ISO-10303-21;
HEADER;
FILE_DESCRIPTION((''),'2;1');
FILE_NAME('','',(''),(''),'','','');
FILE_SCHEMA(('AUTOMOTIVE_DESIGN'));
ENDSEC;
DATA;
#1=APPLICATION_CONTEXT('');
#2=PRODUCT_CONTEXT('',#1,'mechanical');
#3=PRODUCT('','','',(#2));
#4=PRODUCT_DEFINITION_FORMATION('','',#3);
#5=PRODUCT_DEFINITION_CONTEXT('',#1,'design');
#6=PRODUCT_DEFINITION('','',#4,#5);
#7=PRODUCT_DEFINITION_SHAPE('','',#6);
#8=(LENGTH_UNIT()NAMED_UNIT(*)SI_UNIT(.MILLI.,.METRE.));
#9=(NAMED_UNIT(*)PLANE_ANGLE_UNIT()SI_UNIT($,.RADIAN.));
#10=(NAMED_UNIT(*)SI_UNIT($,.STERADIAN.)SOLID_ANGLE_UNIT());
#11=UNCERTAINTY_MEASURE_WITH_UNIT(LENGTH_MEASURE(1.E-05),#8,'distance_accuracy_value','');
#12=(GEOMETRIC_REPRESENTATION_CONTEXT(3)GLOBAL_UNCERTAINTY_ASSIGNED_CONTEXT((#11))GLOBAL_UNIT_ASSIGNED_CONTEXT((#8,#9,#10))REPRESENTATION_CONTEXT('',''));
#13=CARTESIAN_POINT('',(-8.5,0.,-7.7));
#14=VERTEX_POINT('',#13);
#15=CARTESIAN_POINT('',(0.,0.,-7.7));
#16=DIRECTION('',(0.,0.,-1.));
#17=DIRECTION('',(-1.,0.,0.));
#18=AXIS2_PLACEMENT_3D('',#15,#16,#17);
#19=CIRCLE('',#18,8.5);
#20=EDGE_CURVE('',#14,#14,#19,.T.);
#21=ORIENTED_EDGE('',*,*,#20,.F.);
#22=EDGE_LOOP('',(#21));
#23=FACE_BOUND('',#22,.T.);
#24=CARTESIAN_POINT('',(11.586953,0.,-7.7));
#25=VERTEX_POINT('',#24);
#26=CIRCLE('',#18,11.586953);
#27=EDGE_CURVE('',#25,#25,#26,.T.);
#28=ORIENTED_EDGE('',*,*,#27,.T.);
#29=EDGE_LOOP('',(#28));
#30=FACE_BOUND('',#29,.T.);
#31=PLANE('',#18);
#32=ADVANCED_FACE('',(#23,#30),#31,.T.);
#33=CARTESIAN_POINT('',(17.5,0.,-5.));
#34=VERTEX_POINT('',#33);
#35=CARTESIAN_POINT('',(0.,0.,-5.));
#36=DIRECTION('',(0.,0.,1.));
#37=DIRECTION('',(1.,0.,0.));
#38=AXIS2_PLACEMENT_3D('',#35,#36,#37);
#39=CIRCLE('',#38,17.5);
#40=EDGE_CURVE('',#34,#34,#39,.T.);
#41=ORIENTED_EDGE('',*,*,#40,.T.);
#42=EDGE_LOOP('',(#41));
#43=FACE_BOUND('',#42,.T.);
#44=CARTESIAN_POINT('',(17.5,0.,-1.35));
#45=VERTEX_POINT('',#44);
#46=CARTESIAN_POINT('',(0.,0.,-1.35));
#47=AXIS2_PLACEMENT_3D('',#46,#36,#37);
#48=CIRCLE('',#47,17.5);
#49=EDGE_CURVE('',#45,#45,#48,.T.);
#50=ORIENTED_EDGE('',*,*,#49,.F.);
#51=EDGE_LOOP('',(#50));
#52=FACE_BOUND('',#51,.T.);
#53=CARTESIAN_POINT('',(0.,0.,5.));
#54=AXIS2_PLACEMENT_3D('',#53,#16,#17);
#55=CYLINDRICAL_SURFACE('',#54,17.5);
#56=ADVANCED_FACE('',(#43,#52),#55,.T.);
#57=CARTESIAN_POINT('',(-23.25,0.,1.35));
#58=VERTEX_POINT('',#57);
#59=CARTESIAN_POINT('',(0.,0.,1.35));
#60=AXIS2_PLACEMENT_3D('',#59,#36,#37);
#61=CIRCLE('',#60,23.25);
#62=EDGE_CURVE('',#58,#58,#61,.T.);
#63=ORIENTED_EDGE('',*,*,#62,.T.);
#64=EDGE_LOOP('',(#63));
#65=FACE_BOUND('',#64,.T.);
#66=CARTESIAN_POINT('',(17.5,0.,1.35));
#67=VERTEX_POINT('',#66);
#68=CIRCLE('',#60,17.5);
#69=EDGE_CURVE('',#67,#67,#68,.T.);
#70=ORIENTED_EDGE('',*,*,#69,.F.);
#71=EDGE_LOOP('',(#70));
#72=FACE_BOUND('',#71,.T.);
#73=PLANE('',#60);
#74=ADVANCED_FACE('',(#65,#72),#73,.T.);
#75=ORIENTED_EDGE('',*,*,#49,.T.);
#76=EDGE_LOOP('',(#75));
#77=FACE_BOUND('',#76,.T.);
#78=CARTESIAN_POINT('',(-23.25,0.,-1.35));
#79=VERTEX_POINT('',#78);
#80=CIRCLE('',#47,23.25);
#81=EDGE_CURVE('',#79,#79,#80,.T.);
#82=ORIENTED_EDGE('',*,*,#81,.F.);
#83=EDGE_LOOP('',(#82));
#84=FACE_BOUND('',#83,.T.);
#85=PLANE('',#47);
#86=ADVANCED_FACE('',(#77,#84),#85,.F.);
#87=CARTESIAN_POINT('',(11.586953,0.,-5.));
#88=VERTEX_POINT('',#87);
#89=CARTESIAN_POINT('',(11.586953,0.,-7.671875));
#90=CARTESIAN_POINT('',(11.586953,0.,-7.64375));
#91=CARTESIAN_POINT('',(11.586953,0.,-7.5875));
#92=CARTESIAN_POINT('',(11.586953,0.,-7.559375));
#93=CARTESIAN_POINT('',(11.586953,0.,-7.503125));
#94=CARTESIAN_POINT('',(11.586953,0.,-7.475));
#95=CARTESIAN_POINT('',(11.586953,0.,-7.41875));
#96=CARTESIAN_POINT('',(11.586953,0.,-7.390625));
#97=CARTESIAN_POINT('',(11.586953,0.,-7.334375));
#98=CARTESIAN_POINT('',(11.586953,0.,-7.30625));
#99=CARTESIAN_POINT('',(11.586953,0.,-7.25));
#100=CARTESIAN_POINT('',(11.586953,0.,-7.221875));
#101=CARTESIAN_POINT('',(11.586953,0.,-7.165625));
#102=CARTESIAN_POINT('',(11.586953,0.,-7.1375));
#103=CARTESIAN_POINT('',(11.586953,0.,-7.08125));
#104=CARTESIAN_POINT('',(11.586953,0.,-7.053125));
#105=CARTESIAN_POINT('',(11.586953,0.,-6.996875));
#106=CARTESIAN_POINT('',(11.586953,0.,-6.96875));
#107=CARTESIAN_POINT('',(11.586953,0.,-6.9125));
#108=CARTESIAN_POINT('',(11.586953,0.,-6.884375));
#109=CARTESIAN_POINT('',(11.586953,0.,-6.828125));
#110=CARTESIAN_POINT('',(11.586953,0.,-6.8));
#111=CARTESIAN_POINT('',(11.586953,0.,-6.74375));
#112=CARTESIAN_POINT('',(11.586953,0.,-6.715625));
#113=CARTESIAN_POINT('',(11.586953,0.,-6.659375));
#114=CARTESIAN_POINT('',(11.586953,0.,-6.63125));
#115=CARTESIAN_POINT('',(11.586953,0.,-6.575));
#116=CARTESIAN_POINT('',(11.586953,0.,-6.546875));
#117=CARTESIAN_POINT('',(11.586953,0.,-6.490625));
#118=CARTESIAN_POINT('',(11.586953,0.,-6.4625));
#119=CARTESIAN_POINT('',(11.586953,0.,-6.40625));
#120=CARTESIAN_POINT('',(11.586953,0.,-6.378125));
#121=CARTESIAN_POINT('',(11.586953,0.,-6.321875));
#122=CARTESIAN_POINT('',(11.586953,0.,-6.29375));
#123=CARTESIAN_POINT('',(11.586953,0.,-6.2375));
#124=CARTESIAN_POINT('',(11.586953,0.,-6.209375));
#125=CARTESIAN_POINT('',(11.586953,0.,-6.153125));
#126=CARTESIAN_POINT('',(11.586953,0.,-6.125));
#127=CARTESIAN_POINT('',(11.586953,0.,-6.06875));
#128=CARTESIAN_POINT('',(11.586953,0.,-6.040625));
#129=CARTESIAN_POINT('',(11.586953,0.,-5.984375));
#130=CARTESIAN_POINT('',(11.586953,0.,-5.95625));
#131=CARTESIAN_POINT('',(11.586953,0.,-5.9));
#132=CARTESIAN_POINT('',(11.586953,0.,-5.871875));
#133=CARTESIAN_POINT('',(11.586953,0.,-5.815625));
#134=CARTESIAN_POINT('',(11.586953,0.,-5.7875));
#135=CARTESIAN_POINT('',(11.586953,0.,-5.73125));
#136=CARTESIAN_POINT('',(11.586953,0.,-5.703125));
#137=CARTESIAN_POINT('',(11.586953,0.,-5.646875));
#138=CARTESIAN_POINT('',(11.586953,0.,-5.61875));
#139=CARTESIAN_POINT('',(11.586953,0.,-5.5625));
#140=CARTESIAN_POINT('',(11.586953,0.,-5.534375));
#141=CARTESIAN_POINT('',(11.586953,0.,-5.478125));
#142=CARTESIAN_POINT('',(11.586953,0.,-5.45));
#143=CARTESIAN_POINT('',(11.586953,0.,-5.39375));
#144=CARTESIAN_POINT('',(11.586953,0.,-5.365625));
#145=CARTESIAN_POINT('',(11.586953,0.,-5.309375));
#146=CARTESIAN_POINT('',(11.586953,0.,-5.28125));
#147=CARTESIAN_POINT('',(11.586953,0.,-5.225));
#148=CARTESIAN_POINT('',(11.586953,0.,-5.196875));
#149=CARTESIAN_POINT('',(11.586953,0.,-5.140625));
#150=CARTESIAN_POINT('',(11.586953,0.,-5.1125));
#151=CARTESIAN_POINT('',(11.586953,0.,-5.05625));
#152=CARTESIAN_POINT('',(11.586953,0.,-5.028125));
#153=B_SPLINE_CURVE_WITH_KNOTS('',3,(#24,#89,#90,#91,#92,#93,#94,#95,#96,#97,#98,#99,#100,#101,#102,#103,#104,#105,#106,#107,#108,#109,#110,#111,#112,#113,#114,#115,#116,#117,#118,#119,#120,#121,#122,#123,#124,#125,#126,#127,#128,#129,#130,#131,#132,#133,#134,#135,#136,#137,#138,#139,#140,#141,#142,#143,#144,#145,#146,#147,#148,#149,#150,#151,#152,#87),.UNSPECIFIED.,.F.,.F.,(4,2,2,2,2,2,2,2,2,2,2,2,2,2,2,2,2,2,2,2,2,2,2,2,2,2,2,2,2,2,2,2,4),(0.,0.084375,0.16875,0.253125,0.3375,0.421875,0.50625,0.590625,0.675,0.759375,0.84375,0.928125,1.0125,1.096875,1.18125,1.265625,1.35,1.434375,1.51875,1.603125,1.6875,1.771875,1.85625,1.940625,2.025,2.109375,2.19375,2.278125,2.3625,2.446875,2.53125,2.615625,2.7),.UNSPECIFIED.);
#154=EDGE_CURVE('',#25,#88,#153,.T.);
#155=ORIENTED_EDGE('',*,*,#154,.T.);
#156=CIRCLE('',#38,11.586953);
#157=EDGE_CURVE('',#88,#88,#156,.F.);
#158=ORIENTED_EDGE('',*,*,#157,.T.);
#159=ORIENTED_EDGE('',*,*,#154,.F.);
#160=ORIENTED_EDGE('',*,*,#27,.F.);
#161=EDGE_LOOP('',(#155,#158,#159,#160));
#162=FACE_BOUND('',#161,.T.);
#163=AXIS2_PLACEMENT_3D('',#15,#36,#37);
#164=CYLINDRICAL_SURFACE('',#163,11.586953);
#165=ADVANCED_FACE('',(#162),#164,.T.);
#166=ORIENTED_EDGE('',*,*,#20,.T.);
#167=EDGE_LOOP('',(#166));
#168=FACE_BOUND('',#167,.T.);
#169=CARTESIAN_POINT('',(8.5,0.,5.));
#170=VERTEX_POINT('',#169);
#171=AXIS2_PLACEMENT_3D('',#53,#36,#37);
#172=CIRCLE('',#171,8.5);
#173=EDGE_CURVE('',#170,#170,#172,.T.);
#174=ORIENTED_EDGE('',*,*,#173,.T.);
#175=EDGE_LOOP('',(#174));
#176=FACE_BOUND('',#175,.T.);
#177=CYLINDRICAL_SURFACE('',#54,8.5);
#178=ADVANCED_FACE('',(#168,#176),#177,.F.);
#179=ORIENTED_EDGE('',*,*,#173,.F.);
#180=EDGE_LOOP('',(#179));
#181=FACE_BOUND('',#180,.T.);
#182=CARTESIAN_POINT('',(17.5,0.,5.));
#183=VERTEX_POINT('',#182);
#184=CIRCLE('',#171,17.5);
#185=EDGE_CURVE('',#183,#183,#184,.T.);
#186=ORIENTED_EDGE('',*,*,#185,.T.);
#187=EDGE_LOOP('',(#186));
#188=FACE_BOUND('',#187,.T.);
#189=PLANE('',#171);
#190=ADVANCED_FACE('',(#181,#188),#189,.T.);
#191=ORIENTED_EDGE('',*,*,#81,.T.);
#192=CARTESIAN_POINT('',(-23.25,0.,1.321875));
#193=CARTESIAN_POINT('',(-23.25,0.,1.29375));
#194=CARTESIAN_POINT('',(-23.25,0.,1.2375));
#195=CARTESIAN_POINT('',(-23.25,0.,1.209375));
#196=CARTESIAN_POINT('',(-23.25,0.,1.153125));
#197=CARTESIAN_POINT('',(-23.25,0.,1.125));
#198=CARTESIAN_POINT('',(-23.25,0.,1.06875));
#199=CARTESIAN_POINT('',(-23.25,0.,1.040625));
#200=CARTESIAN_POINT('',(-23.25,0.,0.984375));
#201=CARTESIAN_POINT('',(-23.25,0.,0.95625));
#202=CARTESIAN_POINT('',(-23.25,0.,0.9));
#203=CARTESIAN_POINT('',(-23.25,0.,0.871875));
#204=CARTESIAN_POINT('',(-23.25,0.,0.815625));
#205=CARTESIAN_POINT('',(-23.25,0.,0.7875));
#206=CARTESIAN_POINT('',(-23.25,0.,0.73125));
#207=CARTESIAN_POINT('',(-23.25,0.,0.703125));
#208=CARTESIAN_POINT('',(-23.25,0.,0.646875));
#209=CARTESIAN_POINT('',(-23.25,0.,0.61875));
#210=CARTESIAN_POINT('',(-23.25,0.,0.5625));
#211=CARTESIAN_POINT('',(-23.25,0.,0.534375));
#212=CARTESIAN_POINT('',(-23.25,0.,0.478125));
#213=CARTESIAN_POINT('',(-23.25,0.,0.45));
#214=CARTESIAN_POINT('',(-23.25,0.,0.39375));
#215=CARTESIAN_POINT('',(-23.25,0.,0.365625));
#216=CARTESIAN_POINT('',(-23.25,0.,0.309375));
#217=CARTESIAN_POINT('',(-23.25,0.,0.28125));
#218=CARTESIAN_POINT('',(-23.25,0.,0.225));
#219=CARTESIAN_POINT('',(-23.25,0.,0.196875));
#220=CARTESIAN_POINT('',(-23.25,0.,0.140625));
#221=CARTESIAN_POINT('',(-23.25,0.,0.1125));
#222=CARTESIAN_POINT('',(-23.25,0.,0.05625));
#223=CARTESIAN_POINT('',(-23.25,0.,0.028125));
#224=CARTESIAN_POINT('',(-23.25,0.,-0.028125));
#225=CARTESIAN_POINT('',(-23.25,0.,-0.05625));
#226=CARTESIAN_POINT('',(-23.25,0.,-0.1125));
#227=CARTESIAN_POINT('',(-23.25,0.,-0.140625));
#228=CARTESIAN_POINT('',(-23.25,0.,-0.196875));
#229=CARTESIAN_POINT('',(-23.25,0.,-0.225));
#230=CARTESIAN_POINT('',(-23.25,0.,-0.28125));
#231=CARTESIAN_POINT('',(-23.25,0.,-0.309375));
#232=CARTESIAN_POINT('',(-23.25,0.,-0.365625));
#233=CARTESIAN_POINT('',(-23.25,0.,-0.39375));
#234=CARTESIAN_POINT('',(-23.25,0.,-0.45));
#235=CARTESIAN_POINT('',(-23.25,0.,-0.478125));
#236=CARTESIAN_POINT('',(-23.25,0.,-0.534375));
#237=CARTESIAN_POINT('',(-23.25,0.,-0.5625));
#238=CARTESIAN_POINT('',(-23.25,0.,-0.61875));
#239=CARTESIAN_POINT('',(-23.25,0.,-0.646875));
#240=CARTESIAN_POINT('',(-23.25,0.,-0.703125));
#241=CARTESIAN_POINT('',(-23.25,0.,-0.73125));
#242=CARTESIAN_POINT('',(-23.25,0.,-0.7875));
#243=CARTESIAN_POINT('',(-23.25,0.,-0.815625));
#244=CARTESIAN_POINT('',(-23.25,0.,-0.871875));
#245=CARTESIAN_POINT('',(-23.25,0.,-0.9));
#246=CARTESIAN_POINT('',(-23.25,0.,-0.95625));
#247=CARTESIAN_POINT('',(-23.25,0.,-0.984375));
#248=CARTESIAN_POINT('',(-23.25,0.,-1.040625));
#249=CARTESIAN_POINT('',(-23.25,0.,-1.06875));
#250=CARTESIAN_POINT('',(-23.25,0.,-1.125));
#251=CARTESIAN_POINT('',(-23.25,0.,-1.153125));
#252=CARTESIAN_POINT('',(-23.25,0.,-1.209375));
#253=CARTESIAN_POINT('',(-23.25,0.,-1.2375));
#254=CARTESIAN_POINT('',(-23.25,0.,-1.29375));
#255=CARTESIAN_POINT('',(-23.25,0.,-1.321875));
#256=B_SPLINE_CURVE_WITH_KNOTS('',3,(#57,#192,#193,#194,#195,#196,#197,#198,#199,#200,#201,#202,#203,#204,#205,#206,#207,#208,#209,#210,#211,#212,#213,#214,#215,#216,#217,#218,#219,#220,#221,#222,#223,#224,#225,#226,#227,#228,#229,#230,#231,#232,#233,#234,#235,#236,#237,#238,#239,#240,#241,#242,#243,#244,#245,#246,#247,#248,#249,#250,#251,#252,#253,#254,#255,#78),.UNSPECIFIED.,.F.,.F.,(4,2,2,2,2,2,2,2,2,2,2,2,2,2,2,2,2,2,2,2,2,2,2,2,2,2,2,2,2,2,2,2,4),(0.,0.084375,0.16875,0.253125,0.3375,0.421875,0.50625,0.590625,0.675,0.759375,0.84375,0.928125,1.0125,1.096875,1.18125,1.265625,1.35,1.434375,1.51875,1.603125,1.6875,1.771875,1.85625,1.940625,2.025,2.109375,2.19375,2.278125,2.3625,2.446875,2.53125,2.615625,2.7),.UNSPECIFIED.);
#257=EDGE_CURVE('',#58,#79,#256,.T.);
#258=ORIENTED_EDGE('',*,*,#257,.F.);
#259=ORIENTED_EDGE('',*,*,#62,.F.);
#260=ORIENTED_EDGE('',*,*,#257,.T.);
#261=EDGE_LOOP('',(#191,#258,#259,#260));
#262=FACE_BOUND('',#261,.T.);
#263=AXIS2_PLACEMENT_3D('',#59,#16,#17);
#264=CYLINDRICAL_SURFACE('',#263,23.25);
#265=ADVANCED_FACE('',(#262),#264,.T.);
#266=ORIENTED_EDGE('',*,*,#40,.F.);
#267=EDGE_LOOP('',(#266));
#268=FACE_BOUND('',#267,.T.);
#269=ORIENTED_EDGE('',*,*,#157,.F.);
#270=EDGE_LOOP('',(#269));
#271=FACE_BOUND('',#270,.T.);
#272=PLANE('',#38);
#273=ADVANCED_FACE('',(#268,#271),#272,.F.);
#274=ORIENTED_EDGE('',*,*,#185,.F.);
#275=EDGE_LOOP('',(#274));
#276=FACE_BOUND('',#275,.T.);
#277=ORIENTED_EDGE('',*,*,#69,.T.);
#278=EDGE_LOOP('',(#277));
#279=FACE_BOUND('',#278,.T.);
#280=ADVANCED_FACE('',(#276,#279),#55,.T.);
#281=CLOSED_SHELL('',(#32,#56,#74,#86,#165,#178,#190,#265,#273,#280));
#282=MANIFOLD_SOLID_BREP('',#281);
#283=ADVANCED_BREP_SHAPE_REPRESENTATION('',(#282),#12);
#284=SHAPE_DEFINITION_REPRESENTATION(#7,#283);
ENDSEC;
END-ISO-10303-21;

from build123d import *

# Parameters (mm, degrees)
SKETCH1_R           = 17.5
SKETCH1_R_2         = 8.5
BOSS_EXTRUDE1_DEPTH = 5
SKETCH2_R           = 23.25
SKETCH2_R_2         = 17.5
BOSS_EXTRUDE2_DEPTH = 1.35
BOSS_EXTRUDE3_START = 2.7
SKETCH3_R           = 11.586953436
SKETCH3_R_2         = 8.5
BOSS_EXTRUDE3_DEPTH = 2.7


with BuildPart() as part:
    # Sketch1 → Boss-Extrude1 (new, symmetric)
    with BuildSketch(Plane.XY):
        Circle(SKETCH1_R)
        Circle(SKETCH1_R_2, mode=Mode.SUBTRACT)
    extrude(amount=BOSS_EXTRUDE1_DEPTH, both=True)

    # Sketch2 → Boss-Extrude2 (add, symmetric)
    with BuildSketch(Plane.XY):
        with Locations(Location((0, 0, 0), (0, 0, 180))):
            Circle(SKETCH2_R)
        Circle(SKETCH2_R_2, mode=Mode.SUBTRACT)
    extrude(amount=BOSS_EXTRUDE2_DEPTH, both=True)

    # Sketch3 → Boss-Extrude3 (add)
    with BuildSketch(Plane(origin=(0, 0, -5), x_dir=(-1, 0, 0), z_dir=(0, 0, -1)).offset(BOSS_EXTRUDE3_START)):
        with Locations(Location((0, 0, 0), (0, 0, 180))):
            Circle(SKETCH3_R)
        Circle(SKETCH3_R_2, mode=Mode.SUBTRACT)
    extrude(amount=-BOSS_EXTRUDE3_DEPTH)


solid = part.part
